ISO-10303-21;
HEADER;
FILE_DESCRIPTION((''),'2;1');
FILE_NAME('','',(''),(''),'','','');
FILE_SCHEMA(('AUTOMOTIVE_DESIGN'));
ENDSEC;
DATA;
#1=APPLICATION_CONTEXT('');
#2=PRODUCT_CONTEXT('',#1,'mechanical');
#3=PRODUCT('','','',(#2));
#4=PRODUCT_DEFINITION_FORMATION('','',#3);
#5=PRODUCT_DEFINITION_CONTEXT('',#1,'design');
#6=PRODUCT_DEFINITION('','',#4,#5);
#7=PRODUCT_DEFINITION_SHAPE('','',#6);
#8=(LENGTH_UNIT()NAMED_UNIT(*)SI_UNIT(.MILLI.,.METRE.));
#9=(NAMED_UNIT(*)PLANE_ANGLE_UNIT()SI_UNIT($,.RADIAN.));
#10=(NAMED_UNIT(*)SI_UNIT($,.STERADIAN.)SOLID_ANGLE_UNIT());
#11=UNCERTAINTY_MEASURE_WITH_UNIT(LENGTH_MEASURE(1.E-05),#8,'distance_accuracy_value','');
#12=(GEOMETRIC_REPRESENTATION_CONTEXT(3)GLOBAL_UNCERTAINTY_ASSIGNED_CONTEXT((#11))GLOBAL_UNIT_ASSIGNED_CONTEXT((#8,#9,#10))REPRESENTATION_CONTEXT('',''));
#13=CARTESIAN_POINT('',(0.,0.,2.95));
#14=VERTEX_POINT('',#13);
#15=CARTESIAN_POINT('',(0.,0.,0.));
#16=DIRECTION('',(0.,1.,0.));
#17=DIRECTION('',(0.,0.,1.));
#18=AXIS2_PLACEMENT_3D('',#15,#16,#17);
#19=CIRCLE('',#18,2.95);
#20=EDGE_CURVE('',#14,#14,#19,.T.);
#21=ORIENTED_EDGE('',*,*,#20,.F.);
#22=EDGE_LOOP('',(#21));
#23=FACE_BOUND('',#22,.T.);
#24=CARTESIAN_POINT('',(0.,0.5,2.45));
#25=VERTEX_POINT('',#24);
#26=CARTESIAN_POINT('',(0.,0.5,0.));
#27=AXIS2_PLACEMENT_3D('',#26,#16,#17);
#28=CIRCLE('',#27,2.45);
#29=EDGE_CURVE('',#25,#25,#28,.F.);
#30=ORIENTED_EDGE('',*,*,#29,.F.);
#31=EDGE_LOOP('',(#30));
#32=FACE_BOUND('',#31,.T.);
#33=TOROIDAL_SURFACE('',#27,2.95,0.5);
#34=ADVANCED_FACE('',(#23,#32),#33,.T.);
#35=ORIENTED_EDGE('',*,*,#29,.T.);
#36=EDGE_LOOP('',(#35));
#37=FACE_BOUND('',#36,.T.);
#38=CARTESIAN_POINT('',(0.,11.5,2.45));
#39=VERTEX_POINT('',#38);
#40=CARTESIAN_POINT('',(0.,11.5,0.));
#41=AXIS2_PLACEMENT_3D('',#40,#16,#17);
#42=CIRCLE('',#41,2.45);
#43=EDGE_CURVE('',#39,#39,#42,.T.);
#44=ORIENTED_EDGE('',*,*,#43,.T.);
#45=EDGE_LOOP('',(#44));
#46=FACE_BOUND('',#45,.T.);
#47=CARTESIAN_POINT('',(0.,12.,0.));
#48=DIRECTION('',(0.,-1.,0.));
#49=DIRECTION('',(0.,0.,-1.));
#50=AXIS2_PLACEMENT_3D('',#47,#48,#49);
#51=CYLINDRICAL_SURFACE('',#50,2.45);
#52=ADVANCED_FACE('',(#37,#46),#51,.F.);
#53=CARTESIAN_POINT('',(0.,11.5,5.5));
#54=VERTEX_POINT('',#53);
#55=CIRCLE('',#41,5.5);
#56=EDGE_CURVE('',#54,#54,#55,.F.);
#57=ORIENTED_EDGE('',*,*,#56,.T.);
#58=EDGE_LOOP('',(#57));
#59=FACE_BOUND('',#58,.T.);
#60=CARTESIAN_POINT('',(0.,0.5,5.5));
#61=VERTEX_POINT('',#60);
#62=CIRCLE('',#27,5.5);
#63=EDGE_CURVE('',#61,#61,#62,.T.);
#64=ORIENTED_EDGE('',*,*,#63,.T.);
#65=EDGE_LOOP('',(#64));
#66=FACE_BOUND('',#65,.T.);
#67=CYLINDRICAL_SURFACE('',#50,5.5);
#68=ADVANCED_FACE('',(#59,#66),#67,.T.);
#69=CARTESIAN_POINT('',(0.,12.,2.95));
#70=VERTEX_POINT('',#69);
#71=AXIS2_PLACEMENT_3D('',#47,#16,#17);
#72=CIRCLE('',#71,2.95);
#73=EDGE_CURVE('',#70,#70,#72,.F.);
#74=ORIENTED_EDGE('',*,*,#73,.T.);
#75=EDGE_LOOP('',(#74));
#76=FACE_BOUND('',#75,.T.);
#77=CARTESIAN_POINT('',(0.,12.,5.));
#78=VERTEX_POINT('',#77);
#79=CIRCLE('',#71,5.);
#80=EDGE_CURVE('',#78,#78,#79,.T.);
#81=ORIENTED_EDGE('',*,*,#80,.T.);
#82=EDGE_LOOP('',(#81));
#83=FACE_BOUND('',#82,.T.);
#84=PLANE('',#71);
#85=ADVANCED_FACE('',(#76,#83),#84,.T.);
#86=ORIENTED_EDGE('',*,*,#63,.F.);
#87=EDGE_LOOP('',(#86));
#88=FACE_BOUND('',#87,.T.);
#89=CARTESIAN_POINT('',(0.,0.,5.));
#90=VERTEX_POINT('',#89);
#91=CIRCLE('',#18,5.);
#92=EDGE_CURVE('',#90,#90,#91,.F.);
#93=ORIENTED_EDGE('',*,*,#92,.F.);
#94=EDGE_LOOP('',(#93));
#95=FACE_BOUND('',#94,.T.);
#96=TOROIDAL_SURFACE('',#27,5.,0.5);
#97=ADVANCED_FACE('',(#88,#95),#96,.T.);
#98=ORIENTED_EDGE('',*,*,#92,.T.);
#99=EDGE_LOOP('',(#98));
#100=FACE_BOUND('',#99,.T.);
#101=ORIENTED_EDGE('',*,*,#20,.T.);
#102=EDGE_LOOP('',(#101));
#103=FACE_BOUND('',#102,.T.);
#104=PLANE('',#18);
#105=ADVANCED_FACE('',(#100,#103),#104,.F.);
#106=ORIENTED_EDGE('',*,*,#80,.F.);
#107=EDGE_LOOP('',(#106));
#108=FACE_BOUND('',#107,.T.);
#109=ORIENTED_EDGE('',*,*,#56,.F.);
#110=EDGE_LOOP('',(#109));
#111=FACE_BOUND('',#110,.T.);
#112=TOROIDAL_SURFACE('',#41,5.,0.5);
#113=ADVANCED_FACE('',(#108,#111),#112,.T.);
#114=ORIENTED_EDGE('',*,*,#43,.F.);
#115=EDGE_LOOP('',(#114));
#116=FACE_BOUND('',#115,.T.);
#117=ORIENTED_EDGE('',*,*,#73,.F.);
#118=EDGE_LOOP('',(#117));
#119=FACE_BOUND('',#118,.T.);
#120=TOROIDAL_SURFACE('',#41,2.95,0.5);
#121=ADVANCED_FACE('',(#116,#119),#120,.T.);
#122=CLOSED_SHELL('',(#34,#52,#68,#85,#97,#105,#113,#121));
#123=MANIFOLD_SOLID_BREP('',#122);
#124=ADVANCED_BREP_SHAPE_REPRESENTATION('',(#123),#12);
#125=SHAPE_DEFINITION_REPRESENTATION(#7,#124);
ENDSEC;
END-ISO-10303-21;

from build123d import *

# Parameters (mm, degrees)
SKETCH1_R           = 5.5
SKETCH1_R_2         = 2.45
BOSS_EXTRUDE1_DEPTH = 12
FILLET1_R           = 0.5


with BuildPart() as part:
    # Sketch1 → Boss-Extrude1 (new body)
    with BuildSketch(Plane(origin=(0, 0, 0), x_dir=(1, 0, 0), z_dir=(0, 1, 0))):
        with Locations(Location((0, 0, 0), (0, 0, 270))):
            Circle(SKETCH1_R)
        with Locations(Location((0, 0, 0), (0, 0, 270))):
            Circle(SKETCH1_R_2, mode=Mode.SUBTRACT)
    extrude(amount=BOSS_EXTRUDE1_DEPTH)

    # Fillet1
    fillet1_edges = [part.edges().sort_by_distance(p)[0] for p in [
        (0, 0, -5.5),
        (0, 12, -5.5),
        (0, 0, -2.45),
        (0, 12, -2.45),
    ]]
    fillet(fillet1_edges, radius=FILLET1_R)


solid = part.part
